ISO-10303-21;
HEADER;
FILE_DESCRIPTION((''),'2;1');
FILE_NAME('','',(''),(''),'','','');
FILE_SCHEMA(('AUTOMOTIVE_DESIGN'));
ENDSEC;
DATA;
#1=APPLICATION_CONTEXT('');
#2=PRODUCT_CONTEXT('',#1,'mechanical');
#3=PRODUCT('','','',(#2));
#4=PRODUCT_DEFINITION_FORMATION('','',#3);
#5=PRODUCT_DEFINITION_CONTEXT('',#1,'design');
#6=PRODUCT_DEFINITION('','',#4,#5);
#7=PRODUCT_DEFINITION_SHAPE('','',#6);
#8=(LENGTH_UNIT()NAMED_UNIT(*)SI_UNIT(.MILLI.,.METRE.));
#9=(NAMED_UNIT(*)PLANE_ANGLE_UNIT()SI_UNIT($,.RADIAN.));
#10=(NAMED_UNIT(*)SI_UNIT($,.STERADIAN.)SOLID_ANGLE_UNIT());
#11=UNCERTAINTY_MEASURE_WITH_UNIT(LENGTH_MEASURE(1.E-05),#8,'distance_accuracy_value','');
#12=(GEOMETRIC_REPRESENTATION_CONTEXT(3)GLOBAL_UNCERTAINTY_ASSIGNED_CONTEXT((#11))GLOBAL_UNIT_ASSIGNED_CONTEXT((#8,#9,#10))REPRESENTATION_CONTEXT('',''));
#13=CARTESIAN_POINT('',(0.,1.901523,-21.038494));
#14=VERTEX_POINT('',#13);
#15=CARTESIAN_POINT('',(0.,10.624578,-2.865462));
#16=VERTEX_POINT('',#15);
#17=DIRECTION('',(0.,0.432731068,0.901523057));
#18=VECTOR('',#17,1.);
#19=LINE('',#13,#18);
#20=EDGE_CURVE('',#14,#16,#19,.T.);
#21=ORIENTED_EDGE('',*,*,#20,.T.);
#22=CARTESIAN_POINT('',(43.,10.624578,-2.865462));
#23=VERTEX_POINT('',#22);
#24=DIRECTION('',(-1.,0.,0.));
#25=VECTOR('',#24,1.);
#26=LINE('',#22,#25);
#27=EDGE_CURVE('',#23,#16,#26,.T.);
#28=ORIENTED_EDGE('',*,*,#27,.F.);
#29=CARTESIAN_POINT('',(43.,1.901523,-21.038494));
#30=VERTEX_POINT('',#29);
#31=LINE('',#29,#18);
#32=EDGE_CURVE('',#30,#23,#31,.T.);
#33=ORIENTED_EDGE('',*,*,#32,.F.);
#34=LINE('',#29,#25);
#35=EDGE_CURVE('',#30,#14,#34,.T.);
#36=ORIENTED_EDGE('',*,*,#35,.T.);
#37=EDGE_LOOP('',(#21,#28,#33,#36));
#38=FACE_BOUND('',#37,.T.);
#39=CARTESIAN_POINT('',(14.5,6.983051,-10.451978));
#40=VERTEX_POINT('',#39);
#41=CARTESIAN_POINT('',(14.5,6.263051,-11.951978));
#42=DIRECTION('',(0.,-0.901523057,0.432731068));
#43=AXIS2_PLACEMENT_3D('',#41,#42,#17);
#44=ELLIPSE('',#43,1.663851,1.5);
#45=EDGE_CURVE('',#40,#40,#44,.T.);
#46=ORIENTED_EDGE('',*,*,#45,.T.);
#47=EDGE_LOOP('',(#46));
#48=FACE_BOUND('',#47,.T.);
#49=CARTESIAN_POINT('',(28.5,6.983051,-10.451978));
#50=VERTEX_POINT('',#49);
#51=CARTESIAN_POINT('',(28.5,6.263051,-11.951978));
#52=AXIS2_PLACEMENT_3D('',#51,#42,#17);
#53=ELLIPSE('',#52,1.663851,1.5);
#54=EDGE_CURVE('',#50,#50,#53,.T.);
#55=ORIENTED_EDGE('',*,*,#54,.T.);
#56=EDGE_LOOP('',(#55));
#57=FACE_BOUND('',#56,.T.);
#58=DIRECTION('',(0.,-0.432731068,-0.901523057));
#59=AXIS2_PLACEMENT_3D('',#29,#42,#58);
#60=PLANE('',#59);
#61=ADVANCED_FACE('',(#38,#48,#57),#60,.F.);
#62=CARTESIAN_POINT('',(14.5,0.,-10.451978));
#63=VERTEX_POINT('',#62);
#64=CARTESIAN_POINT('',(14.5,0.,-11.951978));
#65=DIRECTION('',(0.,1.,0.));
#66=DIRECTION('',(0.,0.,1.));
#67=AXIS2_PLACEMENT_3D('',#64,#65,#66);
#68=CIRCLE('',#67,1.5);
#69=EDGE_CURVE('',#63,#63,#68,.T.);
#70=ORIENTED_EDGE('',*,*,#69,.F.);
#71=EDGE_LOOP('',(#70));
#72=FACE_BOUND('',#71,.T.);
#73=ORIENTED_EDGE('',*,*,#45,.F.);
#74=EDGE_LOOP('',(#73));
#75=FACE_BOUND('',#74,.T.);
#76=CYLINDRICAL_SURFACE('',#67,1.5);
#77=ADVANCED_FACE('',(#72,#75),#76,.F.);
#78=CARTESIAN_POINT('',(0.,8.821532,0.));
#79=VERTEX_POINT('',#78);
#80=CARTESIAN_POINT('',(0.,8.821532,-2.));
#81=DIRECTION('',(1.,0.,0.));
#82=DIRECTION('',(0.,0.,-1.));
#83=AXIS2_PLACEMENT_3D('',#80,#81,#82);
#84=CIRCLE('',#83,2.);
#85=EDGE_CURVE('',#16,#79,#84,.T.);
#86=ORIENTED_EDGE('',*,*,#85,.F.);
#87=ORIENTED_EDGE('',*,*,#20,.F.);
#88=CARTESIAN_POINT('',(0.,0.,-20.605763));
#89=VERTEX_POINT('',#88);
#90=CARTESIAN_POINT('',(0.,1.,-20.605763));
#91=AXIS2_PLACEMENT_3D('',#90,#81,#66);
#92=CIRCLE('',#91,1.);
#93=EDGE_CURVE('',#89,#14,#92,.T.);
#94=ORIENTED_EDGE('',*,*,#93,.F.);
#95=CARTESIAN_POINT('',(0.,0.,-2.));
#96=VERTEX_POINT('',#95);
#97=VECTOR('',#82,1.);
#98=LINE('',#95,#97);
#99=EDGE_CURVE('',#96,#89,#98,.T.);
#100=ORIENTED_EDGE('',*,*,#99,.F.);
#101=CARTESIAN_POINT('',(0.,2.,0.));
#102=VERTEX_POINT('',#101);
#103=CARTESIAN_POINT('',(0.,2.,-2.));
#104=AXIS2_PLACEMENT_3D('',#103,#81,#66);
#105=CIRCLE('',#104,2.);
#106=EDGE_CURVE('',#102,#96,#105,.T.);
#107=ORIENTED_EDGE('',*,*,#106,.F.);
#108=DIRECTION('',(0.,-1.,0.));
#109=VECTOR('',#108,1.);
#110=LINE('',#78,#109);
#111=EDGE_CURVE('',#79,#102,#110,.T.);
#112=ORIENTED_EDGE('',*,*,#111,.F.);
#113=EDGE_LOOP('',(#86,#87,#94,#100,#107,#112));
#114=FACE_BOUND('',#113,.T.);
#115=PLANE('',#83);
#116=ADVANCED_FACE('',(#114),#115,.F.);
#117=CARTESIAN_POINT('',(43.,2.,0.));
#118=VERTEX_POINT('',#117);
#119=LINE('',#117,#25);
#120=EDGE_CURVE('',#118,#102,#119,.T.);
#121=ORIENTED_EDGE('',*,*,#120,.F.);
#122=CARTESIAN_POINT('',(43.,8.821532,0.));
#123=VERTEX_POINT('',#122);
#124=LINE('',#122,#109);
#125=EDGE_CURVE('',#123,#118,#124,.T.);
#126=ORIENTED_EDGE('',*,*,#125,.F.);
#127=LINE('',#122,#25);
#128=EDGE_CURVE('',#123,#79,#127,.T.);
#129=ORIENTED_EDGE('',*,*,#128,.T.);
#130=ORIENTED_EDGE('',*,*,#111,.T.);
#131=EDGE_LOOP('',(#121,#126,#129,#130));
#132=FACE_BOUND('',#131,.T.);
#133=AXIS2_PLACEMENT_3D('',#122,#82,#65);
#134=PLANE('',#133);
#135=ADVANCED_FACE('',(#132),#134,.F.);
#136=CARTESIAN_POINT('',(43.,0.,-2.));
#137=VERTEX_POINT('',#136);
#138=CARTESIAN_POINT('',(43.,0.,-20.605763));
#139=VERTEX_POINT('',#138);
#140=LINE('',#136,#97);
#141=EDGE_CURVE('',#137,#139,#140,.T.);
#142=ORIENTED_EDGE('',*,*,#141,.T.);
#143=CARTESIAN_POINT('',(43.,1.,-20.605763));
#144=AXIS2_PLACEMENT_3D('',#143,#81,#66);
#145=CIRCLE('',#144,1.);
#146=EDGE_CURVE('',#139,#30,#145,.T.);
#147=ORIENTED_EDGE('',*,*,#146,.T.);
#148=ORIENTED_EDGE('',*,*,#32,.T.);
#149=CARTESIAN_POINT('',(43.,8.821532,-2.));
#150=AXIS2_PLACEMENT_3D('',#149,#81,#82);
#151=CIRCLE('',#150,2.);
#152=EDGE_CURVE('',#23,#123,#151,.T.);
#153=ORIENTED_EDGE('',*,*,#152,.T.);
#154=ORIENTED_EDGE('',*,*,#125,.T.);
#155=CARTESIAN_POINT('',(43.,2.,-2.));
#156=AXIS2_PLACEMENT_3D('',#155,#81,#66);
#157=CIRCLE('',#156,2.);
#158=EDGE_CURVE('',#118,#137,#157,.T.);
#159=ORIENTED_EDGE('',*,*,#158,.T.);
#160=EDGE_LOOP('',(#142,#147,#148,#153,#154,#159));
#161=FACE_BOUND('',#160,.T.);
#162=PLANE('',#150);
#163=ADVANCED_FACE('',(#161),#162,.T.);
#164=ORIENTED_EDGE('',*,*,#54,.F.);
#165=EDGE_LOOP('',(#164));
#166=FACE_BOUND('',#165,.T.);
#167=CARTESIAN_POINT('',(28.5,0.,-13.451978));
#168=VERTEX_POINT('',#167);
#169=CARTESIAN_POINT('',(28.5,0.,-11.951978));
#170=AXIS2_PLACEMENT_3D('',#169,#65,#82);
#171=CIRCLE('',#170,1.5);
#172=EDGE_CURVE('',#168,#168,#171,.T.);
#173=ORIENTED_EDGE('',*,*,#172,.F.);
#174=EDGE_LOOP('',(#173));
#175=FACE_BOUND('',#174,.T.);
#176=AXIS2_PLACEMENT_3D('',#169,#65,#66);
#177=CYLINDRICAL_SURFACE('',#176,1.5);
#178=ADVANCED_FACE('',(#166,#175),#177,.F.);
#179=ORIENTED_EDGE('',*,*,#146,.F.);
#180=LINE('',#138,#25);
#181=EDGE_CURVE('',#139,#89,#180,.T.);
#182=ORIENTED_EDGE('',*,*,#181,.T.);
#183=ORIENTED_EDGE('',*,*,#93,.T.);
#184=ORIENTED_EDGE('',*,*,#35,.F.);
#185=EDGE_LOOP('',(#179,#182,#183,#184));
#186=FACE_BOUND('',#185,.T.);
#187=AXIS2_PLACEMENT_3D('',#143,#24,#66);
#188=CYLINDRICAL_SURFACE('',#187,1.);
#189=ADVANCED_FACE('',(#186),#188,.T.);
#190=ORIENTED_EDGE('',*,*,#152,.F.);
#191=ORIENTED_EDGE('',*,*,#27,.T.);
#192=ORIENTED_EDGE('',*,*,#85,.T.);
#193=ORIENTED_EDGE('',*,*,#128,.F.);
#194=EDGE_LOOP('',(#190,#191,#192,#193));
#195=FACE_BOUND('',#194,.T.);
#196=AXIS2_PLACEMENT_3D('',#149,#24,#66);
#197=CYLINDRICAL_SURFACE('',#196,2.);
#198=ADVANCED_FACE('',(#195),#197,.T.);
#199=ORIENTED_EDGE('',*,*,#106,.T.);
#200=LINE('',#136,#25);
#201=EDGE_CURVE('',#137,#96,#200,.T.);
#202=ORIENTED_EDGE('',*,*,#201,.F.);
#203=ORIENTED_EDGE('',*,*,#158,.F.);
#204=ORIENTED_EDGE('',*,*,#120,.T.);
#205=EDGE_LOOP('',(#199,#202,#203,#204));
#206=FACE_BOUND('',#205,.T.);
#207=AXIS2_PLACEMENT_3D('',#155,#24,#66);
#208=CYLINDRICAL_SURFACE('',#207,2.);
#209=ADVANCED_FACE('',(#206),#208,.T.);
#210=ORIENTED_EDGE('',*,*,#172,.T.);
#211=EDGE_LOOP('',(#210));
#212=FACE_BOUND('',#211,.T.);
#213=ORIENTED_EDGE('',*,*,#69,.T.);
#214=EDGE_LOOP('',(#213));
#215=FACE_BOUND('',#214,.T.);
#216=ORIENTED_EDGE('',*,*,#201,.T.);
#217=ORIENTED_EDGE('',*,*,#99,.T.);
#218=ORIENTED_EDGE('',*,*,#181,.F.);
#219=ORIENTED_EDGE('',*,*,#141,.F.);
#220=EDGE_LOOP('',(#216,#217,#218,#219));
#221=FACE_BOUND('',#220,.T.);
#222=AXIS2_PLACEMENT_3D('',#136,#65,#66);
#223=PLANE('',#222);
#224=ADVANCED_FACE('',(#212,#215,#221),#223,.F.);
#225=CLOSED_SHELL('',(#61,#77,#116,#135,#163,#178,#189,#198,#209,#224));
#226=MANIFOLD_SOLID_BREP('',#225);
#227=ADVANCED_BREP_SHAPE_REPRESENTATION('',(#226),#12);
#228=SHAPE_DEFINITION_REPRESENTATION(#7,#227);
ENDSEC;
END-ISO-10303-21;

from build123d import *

# Parameters (mm, degrees)
BOSS_EXTRUDE1_DEPTH = 43
SKETCH2_R           = 1.5
CUT_EXTRUDE1_DEPTH  = 50.150879706


with BuildPart() as part:
    # Sketch1 → Boss-Extrude1 (new body)
    with BuildSketch(Plane(origin=(0, 0, 0), x_dir=(0, 0, -1), z_dir=(1, 0, 0))):
        with BuildLine():
            Line((2, 0), (20.605762563, 0))
            ThreePointArc((20.605762563, 0), (21.580832575, 0.778102566), (21.03849363, 1.901523057))
            Line((21.03849363, 1.901523057), (2.865462135, 10.624578175))
            ThreePointArc((2.865462135, 10.624578175), (0.934853125, 10.514299657), (0, 8.82153206))
            Line((0, 8.82153206), (0, 2))
            ThreePointArc((0, 2), (0.585786438, 0.585786438), (2, 0))
        make_face()
    extrude(amount=BOSS_EXTRUDE1_DEPTH)

    # Sketch2 → Cut-Extrude1 (cut, through all)
    with BuildSketch(Plane(origin=(0, 10, 0), x_dir=(1, 0, 0), z_dir=(0, 1, 0))):
        with Locations(Location((14.5, 11.951977883, 0), (0, 0, 270))):
            Circle(SKETCH2_R)
        with Locations(Location((28.5, 11.951977883, 0), (0, 0, 270))):
            Circle(SKETCH2_R)
    extrude(amount=-CUT_EXTRUDE1_DEPTH, mode=Mode.SUBTRACT)


solid = part.part
